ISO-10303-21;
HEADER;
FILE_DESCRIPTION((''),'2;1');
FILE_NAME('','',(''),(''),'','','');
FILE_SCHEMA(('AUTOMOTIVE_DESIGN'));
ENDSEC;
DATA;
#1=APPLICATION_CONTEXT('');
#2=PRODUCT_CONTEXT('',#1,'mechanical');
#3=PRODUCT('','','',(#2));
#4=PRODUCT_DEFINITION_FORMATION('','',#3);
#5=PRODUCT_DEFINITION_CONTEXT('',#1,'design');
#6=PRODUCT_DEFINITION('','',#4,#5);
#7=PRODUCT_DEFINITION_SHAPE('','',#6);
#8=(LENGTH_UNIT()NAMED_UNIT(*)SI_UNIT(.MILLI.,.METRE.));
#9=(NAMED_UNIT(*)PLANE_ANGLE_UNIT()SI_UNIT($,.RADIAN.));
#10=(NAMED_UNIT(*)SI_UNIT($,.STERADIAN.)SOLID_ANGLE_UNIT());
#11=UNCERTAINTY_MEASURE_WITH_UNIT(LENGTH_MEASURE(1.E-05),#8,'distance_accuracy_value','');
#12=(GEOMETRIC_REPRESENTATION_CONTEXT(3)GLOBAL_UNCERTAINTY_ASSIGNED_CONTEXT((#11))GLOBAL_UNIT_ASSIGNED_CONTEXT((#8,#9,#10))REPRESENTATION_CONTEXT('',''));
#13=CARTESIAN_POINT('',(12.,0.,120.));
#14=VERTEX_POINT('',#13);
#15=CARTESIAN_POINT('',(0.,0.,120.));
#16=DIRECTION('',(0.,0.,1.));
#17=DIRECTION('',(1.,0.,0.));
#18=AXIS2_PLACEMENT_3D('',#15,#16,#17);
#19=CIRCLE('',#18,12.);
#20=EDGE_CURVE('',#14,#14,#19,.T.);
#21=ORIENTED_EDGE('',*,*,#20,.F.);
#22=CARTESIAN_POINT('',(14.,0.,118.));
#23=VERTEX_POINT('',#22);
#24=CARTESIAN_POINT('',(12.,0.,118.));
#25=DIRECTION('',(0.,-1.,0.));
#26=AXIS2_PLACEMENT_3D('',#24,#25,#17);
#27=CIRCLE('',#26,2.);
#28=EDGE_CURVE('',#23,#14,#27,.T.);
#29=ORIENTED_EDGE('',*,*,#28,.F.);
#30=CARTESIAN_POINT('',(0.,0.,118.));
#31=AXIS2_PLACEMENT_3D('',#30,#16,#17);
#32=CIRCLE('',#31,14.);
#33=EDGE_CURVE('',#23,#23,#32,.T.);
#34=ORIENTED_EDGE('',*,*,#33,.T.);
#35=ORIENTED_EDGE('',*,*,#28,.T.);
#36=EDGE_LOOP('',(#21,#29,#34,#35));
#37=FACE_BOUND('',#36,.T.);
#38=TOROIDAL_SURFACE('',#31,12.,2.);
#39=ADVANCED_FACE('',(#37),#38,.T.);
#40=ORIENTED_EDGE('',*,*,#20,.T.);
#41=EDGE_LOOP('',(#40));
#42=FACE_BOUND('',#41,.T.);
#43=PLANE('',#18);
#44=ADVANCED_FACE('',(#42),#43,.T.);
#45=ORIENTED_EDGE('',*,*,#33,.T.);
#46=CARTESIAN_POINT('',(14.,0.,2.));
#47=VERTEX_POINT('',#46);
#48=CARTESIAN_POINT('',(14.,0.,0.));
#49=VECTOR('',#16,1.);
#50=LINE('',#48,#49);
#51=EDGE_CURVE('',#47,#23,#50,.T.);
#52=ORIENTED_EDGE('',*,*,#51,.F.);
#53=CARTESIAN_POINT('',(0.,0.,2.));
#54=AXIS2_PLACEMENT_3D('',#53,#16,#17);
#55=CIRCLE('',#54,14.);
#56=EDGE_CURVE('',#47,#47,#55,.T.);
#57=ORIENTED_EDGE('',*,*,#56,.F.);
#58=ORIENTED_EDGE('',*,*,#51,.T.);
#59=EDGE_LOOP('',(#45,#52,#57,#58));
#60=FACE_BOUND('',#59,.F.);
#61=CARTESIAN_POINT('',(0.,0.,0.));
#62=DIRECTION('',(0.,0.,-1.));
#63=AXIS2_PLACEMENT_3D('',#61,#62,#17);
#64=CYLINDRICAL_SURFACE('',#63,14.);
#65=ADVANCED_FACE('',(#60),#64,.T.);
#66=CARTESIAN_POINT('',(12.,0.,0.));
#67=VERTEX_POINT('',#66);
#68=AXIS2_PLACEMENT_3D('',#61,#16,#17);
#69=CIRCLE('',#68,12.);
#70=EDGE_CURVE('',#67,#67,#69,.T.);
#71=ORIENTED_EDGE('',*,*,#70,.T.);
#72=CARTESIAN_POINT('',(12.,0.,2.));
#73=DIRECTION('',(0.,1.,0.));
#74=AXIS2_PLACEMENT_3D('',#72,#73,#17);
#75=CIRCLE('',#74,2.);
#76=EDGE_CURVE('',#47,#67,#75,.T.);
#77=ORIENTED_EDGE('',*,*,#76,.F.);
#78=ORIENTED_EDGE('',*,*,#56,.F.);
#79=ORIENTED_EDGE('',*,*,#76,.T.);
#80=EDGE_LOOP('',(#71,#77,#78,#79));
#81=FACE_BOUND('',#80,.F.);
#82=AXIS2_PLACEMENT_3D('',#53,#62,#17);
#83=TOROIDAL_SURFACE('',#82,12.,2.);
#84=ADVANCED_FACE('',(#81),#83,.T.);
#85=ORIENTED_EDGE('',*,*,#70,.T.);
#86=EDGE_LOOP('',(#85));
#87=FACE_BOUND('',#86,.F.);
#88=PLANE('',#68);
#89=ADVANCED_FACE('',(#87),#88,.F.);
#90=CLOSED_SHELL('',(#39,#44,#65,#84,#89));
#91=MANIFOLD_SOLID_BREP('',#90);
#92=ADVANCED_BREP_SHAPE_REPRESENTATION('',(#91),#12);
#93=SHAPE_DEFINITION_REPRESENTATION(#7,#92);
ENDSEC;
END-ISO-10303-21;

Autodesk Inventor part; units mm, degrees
ref_plane "YZ Plane" through (0, 0, 0) normal (1, 0, 0) x (0, 1, 0)
ref_plane "XZ Plane" through (0, 0, 0) normal (0, 1, 0) x (-1, 0, 0)
ref_plane "XY Plane" through (0, 0, 0) normal (0, 0, 1) x (1, 0, 0)
sketch "Sketch1" plane through (0, 0, 0) normal (0, 0, 1) x (1, 0, 0)
  circle A0 centre (0, 0) radius 14
  dimension "d0" = 28
extrude "Extrusion1" add sketch "Sketch1" along normal blind 120
fillet "Fillet1" radius 2 2 edges at (-14, 0, 120) (-14, 0, 0)
equation "\"BendRadius\" = Thickness"
equation "\"BendReliefWidth\" = Thickness"
equation "\"BendReliefDepth\" = 0.5 * Thickness"
equation "\"CornerReliefSize\" = 4 * Thickness"
equation "\"MinimumRemnant\" = 2 * Thickness"
equation "\"TransitionRadius\" = BendRadius"
equation "\"JacobiRadiusSize\" = BendRadius"
equation "\"GapSize\" = Thickness"
equation "\"Thickness\" = 0.5"
properties part number "Solenoid core"
